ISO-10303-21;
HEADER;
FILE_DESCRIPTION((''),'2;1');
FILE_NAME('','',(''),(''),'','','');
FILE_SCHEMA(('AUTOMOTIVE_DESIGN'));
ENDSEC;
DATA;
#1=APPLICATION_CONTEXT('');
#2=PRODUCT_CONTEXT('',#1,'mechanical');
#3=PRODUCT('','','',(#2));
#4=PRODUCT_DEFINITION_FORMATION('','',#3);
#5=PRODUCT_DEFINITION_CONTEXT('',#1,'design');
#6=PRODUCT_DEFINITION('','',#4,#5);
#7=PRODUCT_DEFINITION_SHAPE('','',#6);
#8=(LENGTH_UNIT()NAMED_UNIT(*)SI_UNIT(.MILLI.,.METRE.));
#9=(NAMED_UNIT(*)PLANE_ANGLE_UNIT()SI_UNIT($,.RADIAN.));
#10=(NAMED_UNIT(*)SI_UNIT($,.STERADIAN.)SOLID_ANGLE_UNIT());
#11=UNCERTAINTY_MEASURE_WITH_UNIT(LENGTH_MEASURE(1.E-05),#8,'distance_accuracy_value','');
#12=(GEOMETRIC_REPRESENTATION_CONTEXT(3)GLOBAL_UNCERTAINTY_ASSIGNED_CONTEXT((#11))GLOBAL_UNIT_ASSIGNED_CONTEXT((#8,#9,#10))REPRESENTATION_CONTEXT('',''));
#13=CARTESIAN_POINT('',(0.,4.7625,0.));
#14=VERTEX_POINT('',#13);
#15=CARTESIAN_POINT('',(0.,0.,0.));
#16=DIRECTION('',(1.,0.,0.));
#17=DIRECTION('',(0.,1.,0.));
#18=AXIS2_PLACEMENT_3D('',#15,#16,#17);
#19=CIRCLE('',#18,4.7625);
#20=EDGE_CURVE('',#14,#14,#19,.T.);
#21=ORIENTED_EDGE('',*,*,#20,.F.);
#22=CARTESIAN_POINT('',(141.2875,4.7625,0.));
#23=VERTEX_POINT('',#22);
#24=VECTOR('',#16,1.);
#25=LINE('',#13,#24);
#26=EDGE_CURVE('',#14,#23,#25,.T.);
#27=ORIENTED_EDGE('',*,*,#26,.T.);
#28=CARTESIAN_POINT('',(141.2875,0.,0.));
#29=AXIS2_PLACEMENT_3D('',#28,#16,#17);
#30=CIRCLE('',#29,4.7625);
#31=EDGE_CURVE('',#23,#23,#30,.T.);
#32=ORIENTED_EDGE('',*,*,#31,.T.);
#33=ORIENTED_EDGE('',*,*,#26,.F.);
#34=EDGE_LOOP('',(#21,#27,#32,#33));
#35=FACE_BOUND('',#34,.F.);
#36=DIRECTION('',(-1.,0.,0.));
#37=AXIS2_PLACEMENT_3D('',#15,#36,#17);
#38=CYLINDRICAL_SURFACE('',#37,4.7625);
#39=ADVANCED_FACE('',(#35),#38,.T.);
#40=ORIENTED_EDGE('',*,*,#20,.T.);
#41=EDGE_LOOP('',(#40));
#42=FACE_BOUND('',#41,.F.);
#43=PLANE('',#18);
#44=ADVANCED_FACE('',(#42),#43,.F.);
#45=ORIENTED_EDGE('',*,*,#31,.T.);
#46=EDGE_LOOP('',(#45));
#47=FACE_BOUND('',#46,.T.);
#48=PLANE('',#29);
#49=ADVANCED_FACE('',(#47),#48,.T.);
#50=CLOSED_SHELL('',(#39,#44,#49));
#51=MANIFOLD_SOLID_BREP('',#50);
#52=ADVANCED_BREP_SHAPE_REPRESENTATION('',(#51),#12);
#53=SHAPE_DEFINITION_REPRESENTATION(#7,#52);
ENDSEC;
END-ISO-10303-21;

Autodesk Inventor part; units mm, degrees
ref_plane "YZ Plane" through (0, 0, 0) normal (1, 0, 0) x (0, 1, 0)
ref_plane "XZ Plane" through (0, 0, 0) normal (0, 1, 0) x (-1, 0, 0)
ref_plane "XY Plane" through (0, 0, 0) normal (0, 0, 1) x (1, 0, 0)
sketch "Sketch1" plane through (0, 0, 0) normal (1, 0, 0) x (0, 1, 0)
  circle A0 centre (0, 0) radius 4.7625
  dimension "d0" = 9.525
extrude "Extrusion1" add sketch "Sketch1" along normal blind 141.2875
properties part number "2nd_Arm_Rod" material "Stainless Steel"
